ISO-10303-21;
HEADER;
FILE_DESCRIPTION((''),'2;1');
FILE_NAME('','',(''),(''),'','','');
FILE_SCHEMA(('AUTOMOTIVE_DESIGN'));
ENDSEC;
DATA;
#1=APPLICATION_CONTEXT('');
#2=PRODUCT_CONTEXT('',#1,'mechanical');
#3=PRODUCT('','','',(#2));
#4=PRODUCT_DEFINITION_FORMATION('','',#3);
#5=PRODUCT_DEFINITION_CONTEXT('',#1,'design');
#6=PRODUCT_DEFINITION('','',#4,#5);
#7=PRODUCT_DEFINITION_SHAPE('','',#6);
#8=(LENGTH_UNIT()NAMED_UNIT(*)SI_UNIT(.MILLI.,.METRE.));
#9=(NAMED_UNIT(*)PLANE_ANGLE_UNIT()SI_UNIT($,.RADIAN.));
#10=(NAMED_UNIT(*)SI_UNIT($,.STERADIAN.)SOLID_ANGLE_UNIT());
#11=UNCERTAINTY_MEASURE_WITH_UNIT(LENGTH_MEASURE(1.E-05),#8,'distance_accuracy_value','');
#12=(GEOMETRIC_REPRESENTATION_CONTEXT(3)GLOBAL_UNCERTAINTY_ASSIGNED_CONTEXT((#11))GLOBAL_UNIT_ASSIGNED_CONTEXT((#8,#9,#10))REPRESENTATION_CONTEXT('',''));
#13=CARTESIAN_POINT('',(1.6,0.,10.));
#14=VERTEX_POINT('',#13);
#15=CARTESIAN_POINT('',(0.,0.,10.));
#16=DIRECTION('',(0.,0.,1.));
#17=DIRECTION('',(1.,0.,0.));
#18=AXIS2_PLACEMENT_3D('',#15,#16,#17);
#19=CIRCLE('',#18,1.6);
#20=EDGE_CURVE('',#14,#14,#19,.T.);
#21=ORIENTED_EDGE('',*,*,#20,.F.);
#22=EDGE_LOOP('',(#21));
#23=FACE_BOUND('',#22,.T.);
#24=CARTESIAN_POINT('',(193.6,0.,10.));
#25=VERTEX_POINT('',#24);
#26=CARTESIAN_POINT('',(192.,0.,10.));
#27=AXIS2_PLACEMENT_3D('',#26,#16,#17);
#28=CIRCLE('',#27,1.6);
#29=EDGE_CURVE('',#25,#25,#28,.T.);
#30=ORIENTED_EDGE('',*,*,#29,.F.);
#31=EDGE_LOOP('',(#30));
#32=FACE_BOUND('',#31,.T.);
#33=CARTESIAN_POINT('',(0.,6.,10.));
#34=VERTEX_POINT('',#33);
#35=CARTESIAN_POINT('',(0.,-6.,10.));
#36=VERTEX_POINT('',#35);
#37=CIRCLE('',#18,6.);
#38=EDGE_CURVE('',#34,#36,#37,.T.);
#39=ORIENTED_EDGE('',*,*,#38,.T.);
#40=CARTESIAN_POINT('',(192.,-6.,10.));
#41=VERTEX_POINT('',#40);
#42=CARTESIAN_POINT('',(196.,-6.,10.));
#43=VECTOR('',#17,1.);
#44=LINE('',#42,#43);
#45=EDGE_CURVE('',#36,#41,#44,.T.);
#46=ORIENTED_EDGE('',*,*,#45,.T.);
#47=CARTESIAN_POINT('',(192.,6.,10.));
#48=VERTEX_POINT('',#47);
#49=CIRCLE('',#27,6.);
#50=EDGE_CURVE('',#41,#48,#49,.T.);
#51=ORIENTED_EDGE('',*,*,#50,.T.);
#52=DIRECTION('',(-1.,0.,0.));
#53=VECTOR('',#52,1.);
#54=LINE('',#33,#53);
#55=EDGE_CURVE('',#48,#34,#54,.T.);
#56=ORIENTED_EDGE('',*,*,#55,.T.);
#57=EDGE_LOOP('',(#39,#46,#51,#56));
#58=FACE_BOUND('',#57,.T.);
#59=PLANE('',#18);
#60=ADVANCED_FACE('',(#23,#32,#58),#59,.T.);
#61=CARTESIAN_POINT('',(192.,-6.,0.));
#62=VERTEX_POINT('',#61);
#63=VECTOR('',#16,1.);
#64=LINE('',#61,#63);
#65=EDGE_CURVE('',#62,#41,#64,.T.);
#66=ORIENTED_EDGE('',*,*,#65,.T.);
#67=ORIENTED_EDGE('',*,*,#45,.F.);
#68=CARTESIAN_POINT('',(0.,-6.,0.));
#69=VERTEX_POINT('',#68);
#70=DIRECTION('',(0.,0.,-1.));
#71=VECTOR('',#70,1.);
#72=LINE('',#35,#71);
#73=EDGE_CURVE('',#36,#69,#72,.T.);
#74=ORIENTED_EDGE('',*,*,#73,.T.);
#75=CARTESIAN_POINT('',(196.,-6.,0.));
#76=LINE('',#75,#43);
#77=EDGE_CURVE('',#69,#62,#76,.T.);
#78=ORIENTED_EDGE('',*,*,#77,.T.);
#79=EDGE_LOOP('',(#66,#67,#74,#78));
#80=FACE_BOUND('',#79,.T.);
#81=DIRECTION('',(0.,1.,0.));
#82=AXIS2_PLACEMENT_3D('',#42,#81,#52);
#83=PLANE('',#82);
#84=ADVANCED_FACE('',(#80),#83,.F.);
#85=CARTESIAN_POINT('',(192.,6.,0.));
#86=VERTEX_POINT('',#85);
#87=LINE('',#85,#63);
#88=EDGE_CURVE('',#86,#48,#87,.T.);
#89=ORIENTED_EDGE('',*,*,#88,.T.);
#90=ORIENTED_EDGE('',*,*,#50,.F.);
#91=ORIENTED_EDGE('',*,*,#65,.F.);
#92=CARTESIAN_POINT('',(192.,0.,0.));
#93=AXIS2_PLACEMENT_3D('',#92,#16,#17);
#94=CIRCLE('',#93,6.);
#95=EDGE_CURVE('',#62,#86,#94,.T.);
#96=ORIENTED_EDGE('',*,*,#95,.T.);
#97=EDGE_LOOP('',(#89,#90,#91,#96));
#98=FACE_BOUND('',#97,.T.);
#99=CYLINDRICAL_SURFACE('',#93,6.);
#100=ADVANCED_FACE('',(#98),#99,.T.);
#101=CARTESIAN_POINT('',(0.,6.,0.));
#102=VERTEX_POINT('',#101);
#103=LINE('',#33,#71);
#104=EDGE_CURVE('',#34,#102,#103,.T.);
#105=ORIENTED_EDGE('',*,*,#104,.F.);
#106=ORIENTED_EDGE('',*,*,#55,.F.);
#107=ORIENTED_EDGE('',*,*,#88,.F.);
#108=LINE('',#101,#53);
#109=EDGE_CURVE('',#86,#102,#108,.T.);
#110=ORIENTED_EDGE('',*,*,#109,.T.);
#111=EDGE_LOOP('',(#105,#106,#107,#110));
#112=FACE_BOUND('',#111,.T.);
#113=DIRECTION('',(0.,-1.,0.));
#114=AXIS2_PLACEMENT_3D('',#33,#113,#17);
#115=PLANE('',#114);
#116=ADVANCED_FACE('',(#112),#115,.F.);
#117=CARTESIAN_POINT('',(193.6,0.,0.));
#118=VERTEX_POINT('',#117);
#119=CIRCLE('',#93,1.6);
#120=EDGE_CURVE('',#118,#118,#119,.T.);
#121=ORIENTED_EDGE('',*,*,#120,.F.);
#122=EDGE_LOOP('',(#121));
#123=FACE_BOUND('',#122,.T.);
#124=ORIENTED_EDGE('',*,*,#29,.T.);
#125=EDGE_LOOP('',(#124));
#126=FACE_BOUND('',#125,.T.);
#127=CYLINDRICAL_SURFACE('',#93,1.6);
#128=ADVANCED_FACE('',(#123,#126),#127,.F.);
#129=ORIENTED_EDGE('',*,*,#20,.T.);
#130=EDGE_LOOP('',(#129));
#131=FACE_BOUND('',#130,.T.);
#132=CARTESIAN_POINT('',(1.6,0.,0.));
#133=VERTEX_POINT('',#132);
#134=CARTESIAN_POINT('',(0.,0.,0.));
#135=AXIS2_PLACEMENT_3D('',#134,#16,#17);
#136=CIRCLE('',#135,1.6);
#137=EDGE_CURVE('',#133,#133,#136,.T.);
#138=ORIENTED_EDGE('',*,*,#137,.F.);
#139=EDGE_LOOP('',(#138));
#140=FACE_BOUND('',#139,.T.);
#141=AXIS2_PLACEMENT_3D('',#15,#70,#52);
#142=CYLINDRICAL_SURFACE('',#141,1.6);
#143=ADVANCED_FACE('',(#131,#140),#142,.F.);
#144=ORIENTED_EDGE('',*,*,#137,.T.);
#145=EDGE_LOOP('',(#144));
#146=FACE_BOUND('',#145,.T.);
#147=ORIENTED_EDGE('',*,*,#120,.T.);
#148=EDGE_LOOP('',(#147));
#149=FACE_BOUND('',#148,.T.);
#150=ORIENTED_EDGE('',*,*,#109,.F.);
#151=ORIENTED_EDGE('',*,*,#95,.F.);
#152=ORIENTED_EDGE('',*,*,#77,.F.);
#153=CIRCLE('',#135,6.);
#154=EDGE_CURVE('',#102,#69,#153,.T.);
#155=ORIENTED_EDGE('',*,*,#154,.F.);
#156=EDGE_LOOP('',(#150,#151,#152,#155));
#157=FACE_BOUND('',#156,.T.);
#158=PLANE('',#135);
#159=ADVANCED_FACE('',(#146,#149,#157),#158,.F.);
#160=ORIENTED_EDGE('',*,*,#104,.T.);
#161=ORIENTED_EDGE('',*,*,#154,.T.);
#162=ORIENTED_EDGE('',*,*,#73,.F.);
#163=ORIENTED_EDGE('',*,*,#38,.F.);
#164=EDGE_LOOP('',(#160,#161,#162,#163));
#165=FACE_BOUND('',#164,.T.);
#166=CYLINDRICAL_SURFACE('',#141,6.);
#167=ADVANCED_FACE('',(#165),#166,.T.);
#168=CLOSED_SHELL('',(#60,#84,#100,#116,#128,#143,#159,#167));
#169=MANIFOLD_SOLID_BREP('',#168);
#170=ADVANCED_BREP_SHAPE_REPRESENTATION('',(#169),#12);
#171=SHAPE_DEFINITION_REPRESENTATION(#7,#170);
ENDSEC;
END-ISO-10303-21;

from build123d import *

# Parameters (mm, degrees)
SKETCH1_R           = 1.6
BOSS_EXTRUDE1_DEPTH = 10
SKETCH2_R           = 1.6
CUT_EXTRUDE1_DEPTH  = 10
SKETCH3_R           = 1.6
BOSS_EXTRUDE2_DEPTH = 10


with BuildPart() as part:
    # Sketch1 → Boss-Extrude1 (new body)
    with BuildSketch(Plane.XY):
        with BuildLine():
            Line((0, 6), (196, 6))
            ThreePointArc((196, 6), (202, 0), (196, -6))
            Line((196, -6), (0, -6))
            ThreePointArc((0, -6), (-6, 0), (0, 6))
        make_face()
        Circle(SKETCH1_R, mode=Mode.SUBTRACT)
        with Locations((196, 0)):
            Circle(SKETCH1_R, mode=Mode.SUBTRACT)
    extrude(amount=BOSS_EXTRUDE1_DEPTH)

    # Sketch2 → Cut-Extrude1 (cut)
    with BuildSketch(Plane.XY.offset(10)):
        with Locations((192, 0)):
            Circle(SKETCH2_R)
        with BuildLine():
            Line((196, 6), (192, 6))
            ThreePointArc((192, 6), (198, 0), (192, -6))
            Line((192, -6), (196, -6))
            ThreePointArc((196, -6), (202, 0), (196, 6))
        make_face()
    extrude(amount=-CUT_EXTRUDE1_DEPTH, mode=Mode.SUBTRACT)

    # Sketch3 → Boss-Extrude2 (add)
    with BuildSketch(Plane.XY.offset(10)):
        with Locations((196, 0)):
            Circle(SKETCH3_R)
    extrude(amount=-BOSS_EXTRUDE2_DEPTH)


solid = part.part
